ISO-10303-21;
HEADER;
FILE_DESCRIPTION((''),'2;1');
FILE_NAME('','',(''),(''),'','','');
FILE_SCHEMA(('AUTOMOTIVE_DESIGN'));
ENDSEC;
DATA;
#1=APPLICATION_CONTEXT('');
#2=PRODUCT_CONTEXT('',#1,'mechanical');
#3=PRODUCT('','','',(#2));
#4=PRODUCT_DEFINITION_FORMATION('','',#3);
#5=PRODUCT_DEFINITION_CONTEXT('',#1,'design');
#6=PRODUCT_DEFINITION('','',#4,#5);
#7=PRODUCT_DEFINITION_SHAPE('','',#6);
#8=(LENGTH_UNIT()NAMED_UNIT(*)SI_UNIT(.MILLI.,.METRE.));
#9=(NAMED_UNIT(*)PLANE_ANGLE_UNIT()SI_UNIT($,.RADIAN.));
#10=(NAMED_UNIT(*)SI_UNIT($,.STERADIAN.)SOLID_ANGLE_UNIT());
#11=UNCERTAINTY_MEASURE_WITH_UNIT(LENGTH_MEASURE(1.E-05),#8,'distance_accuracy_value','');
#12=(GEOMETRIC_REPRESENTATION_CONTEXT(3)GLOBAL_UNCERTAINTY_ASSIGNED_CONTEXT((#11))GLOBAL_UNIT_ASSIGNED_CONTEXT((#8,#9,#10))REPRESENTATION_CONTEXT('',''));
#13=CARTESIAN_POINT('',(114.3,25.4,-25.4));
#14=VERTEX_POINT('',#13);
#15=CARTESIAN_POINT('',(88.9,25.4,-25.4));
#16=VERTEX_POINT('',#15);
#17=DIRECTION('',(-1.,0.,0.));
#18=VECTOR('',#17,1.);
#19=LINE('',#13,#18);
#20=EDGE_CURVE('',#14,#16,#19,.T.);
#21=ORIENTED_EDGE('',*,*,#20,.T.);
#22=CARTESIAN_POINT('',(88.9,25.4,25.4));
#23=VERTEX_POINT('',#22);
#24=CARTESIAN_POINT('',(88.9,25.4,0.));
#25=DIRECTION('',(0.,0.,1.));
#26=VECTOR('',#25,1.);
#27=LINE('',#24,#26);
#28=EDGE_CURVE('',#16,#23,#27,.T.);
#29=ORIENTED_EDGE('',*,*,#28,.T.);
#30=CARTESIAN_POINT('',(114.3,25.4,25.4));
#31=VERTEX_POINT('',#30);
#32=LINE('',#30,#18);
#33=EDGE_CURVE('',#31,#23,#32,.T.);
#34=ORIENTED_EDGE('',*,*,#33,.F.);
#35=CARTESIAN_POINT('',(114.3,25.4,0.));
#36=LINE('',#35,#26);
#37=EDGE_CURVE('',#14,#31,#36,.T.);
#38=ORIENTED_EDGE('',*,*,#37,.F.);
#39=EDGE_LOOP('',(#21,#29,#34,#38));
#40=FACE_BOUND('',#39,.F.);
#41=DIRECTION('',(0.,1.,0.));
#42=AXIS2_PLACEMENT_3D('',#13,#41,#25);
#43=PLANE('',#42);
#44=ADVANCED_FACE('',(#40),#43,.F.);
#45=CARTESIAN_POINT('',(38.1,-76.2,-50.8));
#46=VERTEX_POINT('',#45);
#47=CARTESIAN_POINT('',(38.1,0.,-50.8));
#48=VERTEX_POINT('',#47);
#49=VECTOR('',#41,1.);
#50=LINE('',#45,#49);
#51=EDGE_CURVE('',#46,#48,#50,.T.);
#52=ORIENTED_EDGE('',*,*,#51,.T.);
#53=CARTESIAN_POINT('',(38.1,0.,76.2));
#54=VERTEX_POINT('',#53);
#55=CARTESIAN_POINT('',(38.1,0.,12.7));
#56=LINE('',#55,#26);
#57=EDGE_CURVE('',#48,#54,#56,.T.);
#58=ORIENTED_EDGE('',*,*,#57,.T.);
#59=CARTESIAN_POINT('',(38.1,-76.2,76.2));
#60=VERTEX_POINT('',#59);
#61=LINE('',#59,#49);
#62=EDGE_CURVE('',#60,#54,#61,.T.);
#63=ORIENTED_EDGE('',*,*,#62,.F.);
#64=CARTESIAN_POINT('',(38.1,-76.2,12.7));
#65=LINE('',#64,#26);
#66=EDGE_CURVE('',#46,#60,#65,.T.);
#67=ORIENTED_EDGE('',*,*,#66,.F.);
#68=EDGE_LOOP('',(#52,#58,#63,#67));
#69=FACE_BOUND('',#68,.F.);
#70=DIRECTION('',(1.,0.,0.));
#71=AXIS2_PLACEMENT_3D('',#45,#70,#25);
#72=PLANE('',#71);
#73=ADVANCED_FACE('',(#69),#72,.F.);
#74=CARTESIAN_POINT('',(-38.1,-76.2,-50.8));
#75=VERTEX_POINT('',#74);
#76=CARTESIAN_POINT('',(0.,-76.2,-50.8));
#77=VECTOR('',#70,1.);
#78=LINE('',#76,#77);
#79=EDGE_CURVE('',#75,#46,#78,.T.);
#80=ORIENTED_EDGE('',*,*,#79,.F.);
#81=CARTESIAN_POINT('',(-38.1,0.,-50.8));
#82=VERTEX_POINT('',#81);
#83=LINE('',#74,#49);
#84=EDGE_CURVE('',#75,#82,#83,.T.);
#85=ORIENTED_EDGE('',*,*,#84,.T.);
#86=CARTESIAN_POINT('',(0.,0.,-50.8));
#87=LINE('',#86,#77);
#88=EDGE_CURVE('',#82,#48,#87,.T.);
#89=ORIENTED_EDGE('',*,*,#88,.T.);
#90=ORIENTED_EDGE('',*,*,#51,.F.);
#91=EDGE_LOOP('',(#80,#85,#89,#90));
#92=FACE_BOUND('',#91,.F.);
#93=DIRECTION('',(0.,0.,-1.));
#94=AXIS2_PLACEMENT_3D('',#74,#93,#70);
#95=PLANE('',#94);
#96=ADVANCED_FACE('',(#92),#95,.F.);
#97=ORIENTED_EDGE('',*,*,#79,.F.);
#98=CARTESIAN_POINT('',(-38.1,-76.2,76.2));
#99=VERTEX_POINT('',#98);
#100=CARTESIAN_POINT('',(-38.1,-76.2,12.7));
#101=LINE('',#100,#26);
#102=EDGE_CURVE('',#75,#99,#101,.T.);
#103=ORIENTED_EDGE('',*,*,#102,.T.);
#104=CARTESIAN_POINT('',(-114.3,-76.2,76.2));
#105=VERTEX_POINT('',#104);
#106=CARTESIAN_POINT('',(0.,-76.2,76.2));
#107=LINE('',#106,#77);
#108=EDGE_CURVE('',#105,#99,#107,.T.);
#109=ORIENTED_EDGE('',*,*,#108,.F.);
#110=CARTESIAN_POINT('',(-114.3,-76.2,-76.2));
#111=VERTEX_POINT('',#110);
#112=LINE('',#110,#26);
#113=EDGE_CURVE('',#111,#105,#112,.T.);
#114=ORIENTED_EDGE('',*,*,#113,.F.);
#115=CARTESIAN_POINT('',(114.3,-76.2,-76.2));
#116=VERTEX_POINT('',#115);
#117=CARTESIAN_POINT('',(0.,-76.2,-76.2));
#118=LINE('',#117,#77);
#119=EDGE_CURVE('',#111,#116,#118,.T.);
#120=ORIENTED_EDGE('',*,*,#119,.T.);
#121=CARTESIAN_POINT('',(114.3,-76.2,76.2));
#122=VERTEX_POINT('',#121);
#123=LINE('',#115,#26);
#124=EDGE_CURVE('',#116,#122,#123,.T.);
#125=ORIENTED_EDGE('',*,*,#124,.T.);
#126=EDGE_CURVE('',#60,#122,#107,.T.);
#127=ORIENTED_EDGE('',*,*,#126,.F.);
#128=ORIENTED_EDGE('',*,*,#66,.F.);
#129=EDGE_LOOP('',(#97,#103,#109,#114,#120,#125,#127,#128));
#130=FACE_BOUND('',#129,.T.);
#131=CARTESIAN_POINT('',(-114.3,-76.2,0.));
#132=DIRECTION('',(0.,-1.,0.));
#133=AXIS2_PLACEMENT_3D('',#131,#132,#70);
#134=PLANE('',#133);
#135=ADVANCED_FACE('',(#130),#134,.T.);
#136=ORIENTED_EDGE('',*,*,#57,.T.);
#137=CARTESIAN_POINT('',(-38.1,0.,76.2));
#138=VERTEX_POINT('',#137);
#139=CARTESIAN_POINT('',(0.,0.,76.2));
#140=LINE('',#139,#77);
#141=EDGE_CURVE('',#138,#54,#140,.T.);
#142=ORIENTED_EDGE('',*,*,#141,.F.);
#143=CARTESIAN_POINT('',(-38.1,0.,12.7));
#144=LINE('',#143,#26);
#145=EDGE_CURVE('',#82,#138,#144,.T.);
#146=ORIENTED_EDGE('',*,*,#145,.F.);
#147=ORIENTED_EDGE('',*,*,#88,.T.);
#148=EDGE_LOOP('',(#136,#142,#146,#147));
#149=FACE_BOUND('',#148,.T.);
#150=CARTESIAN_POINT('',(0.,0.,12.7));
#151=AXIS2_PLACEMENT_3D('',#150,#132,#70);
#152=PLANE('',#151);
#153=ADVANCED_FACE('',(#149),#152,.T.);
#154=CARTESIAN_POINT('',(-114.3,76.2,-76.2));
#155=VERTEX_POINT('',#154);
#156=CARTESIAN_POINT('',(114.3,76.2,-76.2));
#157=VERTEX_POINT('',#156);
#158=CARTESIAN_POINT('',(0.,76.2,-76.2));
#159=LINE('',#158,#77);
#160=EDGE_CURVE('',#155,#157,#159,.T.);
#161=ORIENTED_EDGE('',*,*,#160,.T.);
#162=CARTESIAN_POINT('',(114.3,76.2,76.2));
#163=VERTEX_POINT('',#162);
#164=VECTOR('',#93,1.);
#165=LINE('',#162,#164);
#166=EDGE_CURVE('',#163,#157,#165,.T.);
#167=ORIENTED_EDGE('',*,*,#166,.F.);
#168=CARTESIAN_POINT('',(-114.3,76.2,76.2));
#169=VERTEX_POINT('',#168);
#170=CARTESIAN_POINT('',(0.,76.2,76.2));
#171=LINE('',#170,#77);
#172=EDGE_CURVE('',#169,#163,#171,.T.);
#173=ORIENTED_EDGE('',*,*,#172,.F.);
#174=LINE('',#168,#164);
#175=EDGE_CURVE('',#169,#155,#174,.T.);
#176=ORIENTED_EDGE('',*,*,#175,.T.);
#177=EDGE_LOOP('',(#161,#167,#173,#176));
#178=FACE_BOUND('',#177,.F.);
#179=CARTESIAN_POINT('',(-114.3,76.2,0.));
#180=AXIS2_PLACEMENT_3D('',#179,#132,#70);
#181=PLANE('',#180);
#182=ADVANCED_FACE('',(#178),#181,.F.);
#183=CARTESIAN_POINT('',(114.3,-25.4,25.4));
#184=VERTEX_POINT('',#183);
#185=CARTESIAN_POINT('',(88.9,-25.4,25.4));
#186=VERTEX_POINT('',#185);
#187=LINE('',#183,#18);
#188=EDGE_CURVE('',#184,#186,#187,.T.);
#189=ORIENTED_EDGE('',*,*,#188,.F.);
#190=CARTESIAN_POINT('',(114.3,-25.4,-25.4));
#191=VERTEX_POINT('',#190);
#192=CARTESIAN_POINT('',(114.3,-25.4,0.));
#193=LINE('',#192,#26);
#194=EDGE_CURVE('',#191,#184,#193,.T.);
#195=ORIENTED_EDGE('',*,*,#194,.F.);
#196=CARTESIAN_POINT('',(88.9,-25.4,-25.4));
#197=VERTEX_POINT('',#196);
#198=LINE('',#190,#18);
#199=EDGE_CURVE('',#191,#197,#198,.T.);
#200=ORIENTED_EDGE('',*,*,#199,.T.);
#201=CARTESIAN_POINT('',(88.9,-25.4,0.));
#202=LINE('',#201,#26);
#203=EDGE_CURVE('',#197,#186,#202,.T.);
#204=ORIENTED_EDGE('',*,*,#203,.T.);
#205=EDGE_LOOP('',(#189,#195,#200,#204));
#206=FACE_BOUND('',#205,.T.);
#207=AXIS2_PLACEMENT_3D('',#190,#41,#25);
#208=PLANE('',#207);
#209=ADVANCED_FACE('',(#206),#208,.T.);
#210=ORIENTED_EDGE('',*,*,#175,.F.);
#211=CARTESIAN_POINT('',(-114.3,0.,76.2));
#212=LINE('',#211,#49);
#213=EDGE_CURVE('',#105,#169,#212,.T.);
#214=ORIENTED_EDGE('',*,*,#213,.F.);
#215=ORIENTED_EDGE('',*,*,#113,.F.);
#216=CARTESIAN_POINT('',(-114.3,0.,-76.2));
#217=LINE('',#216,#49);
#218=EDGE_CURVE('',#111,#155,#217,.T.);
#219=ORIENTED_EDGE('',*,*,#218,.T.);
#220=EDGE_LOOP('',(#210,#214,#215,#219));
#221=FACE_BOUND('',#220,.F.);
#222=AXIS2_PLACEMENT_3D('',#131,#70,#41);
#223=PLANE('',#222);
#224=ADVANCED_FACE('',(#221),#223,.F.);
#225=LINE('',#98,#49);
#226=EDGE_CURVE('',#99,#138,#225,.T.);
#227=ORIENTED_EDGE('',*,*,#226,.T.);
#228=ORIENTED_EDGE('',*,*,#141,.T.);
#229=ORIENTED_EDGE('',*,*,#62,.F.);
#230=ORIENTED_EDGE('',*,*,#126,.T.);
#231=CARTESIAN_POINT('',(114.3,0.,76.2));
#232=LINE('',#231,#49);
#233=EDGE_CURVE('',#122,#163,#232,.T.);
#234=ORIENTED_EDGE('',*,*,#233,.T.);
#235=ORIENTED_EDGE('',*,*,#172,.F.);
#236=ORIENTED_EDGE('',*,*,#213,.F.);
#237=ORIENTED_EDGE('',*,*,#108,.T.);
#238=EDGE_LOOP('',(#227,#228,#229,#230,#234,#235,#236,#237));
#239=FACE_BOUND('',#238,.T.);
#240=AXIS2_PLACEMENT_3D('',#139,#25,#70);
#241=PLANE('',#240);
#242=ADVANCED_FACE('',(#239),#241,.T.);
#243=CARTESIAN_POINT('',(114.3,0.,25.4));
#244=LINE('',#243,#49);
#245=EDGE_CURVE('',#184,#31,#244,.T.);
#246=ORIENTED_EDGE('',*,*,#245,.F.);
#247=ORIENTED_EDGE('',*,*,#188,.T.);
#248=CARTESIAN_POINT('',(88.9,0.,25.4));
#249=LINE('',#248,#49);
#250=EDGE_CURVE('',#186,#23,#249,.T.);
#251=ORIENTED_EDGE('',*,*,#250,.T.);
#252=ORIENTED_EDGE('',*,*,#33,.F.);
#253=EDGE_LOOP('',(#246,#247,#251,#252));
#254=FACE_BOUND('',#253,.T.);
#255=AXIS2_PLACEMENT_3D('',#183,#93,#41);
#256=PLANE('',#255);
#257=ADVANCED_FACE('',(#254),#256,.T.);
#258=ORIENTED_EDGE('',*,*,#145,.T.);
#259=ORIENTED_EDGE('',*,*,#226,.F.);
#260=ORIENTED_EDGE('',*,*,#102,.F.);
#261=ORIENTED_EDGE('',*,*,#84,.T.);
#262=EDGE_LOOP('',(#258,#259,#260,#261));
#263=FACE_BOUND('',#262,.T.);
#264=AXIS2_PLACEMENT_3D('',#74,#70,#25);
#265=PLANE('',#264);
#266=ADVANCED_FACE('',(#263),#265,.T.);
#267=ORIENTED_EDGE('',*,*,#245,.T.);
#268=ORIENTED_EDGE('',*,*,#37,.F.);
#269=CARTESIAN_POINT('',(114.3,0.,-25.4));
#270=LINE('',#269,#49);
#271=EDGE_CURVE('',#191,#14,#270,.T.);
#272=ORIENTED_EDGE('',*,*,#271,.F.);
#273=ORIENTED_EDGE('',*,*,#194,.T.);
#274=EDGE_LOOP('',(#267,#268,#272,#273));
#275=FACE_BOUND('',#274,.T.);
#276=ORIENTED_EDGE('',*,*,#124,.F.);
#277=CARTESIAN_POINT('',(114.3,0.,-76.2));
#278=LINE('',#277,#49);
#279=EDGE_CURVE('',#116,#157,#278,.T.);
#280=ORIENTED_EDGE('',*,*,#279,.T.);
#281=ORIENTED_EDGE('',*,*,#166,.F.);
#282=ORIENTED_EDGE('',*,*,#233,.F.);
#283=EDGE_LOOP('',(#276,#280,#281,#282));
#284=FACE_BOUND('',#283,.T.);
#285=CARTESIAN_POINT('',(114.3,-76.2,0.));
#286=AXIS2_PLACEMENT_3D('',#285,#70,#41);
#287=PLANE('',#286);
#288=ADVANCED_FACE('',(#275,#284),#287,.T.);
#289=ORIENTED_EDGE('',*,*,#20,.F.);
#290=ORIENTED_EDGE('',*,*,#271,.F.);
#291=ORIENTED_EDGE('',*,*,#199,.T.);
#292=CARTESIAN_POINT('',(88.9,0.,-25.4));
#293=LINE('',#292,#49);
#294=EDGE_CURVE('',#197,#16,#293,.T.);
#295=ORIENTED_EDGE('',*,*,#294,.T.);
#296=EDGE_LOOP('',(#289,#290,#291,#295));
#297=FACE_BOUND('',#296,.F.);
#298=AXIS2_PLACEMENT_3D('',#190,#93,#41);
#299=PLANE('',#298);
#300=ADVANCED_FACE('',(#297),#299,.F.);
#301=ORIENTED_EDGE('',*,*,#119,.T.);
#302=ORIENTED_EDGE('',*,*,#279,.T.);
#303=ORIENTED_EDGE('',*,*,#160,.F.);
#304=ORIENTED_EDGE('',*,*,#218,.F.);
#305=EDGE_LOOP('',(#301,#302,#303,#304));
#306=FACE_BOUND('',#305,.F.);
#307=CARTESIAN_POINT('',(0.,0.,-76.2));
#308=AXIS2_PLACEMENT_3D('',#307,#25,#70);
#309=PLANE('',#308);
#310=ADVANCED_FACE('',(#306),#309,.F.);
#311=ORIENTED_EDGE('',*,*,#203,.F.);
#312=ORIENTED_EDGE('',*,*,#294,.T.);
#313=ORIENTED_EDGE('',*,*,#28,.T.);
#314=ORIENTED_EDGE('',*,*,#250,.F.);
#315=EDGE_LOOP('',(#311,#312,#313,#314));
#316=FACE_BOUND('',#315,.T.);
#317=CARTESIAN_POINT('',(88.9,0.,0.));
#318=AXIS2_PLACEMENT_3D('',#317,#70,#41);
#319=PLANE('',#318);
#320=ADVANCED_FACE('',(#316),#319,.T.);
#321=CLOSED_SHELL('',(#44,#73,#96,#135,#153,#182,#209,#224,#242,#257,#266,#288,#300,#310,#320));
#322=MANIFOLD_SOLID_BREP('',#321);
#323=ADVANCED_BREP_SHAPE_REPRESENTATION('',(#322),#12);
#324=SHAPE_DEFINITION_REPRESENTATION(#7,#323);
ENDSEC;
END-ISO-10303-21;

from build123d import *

# Parameters (mm, degrees)
F0_W     = 228.6
F0_H     = 152.4
F1_DEPTH = 76.2
F2_W     = 50.8
F2_H     = 50.8
F3_DEPTH = 25.4
F4_W     = 76.2
F4_H     = 127
F5_DEPTH = 76.2


with BuildPart() as f1:
    # F0 (on Top) → F1 (new body, symmetric)
    with BuildSketch(Plane.XY):
        Rectangle(F0_W, F0_H)
    extrude(amount=F1_DEPTH, both=True)

    # F2 (on face) → F3 (cut)
    with BuildSketch(Plane.YZ.offset(114.3)):
        Rectangle(F2_W, F2_H)
    extrude(amount=-F3_DEPTH, mode=Mode.SUBTRACT)

    # F4 (on face) → F5 (cut)
    with BuildSketch(Plane.XZ.offset(76.2)):
        with Locations((0, 12.7)):
            Rectangle(F4_W, F4_H)
    extrude(amount=-F5_DEPTH, mode=Mode.SUBTRACT)


solid = f1.part
